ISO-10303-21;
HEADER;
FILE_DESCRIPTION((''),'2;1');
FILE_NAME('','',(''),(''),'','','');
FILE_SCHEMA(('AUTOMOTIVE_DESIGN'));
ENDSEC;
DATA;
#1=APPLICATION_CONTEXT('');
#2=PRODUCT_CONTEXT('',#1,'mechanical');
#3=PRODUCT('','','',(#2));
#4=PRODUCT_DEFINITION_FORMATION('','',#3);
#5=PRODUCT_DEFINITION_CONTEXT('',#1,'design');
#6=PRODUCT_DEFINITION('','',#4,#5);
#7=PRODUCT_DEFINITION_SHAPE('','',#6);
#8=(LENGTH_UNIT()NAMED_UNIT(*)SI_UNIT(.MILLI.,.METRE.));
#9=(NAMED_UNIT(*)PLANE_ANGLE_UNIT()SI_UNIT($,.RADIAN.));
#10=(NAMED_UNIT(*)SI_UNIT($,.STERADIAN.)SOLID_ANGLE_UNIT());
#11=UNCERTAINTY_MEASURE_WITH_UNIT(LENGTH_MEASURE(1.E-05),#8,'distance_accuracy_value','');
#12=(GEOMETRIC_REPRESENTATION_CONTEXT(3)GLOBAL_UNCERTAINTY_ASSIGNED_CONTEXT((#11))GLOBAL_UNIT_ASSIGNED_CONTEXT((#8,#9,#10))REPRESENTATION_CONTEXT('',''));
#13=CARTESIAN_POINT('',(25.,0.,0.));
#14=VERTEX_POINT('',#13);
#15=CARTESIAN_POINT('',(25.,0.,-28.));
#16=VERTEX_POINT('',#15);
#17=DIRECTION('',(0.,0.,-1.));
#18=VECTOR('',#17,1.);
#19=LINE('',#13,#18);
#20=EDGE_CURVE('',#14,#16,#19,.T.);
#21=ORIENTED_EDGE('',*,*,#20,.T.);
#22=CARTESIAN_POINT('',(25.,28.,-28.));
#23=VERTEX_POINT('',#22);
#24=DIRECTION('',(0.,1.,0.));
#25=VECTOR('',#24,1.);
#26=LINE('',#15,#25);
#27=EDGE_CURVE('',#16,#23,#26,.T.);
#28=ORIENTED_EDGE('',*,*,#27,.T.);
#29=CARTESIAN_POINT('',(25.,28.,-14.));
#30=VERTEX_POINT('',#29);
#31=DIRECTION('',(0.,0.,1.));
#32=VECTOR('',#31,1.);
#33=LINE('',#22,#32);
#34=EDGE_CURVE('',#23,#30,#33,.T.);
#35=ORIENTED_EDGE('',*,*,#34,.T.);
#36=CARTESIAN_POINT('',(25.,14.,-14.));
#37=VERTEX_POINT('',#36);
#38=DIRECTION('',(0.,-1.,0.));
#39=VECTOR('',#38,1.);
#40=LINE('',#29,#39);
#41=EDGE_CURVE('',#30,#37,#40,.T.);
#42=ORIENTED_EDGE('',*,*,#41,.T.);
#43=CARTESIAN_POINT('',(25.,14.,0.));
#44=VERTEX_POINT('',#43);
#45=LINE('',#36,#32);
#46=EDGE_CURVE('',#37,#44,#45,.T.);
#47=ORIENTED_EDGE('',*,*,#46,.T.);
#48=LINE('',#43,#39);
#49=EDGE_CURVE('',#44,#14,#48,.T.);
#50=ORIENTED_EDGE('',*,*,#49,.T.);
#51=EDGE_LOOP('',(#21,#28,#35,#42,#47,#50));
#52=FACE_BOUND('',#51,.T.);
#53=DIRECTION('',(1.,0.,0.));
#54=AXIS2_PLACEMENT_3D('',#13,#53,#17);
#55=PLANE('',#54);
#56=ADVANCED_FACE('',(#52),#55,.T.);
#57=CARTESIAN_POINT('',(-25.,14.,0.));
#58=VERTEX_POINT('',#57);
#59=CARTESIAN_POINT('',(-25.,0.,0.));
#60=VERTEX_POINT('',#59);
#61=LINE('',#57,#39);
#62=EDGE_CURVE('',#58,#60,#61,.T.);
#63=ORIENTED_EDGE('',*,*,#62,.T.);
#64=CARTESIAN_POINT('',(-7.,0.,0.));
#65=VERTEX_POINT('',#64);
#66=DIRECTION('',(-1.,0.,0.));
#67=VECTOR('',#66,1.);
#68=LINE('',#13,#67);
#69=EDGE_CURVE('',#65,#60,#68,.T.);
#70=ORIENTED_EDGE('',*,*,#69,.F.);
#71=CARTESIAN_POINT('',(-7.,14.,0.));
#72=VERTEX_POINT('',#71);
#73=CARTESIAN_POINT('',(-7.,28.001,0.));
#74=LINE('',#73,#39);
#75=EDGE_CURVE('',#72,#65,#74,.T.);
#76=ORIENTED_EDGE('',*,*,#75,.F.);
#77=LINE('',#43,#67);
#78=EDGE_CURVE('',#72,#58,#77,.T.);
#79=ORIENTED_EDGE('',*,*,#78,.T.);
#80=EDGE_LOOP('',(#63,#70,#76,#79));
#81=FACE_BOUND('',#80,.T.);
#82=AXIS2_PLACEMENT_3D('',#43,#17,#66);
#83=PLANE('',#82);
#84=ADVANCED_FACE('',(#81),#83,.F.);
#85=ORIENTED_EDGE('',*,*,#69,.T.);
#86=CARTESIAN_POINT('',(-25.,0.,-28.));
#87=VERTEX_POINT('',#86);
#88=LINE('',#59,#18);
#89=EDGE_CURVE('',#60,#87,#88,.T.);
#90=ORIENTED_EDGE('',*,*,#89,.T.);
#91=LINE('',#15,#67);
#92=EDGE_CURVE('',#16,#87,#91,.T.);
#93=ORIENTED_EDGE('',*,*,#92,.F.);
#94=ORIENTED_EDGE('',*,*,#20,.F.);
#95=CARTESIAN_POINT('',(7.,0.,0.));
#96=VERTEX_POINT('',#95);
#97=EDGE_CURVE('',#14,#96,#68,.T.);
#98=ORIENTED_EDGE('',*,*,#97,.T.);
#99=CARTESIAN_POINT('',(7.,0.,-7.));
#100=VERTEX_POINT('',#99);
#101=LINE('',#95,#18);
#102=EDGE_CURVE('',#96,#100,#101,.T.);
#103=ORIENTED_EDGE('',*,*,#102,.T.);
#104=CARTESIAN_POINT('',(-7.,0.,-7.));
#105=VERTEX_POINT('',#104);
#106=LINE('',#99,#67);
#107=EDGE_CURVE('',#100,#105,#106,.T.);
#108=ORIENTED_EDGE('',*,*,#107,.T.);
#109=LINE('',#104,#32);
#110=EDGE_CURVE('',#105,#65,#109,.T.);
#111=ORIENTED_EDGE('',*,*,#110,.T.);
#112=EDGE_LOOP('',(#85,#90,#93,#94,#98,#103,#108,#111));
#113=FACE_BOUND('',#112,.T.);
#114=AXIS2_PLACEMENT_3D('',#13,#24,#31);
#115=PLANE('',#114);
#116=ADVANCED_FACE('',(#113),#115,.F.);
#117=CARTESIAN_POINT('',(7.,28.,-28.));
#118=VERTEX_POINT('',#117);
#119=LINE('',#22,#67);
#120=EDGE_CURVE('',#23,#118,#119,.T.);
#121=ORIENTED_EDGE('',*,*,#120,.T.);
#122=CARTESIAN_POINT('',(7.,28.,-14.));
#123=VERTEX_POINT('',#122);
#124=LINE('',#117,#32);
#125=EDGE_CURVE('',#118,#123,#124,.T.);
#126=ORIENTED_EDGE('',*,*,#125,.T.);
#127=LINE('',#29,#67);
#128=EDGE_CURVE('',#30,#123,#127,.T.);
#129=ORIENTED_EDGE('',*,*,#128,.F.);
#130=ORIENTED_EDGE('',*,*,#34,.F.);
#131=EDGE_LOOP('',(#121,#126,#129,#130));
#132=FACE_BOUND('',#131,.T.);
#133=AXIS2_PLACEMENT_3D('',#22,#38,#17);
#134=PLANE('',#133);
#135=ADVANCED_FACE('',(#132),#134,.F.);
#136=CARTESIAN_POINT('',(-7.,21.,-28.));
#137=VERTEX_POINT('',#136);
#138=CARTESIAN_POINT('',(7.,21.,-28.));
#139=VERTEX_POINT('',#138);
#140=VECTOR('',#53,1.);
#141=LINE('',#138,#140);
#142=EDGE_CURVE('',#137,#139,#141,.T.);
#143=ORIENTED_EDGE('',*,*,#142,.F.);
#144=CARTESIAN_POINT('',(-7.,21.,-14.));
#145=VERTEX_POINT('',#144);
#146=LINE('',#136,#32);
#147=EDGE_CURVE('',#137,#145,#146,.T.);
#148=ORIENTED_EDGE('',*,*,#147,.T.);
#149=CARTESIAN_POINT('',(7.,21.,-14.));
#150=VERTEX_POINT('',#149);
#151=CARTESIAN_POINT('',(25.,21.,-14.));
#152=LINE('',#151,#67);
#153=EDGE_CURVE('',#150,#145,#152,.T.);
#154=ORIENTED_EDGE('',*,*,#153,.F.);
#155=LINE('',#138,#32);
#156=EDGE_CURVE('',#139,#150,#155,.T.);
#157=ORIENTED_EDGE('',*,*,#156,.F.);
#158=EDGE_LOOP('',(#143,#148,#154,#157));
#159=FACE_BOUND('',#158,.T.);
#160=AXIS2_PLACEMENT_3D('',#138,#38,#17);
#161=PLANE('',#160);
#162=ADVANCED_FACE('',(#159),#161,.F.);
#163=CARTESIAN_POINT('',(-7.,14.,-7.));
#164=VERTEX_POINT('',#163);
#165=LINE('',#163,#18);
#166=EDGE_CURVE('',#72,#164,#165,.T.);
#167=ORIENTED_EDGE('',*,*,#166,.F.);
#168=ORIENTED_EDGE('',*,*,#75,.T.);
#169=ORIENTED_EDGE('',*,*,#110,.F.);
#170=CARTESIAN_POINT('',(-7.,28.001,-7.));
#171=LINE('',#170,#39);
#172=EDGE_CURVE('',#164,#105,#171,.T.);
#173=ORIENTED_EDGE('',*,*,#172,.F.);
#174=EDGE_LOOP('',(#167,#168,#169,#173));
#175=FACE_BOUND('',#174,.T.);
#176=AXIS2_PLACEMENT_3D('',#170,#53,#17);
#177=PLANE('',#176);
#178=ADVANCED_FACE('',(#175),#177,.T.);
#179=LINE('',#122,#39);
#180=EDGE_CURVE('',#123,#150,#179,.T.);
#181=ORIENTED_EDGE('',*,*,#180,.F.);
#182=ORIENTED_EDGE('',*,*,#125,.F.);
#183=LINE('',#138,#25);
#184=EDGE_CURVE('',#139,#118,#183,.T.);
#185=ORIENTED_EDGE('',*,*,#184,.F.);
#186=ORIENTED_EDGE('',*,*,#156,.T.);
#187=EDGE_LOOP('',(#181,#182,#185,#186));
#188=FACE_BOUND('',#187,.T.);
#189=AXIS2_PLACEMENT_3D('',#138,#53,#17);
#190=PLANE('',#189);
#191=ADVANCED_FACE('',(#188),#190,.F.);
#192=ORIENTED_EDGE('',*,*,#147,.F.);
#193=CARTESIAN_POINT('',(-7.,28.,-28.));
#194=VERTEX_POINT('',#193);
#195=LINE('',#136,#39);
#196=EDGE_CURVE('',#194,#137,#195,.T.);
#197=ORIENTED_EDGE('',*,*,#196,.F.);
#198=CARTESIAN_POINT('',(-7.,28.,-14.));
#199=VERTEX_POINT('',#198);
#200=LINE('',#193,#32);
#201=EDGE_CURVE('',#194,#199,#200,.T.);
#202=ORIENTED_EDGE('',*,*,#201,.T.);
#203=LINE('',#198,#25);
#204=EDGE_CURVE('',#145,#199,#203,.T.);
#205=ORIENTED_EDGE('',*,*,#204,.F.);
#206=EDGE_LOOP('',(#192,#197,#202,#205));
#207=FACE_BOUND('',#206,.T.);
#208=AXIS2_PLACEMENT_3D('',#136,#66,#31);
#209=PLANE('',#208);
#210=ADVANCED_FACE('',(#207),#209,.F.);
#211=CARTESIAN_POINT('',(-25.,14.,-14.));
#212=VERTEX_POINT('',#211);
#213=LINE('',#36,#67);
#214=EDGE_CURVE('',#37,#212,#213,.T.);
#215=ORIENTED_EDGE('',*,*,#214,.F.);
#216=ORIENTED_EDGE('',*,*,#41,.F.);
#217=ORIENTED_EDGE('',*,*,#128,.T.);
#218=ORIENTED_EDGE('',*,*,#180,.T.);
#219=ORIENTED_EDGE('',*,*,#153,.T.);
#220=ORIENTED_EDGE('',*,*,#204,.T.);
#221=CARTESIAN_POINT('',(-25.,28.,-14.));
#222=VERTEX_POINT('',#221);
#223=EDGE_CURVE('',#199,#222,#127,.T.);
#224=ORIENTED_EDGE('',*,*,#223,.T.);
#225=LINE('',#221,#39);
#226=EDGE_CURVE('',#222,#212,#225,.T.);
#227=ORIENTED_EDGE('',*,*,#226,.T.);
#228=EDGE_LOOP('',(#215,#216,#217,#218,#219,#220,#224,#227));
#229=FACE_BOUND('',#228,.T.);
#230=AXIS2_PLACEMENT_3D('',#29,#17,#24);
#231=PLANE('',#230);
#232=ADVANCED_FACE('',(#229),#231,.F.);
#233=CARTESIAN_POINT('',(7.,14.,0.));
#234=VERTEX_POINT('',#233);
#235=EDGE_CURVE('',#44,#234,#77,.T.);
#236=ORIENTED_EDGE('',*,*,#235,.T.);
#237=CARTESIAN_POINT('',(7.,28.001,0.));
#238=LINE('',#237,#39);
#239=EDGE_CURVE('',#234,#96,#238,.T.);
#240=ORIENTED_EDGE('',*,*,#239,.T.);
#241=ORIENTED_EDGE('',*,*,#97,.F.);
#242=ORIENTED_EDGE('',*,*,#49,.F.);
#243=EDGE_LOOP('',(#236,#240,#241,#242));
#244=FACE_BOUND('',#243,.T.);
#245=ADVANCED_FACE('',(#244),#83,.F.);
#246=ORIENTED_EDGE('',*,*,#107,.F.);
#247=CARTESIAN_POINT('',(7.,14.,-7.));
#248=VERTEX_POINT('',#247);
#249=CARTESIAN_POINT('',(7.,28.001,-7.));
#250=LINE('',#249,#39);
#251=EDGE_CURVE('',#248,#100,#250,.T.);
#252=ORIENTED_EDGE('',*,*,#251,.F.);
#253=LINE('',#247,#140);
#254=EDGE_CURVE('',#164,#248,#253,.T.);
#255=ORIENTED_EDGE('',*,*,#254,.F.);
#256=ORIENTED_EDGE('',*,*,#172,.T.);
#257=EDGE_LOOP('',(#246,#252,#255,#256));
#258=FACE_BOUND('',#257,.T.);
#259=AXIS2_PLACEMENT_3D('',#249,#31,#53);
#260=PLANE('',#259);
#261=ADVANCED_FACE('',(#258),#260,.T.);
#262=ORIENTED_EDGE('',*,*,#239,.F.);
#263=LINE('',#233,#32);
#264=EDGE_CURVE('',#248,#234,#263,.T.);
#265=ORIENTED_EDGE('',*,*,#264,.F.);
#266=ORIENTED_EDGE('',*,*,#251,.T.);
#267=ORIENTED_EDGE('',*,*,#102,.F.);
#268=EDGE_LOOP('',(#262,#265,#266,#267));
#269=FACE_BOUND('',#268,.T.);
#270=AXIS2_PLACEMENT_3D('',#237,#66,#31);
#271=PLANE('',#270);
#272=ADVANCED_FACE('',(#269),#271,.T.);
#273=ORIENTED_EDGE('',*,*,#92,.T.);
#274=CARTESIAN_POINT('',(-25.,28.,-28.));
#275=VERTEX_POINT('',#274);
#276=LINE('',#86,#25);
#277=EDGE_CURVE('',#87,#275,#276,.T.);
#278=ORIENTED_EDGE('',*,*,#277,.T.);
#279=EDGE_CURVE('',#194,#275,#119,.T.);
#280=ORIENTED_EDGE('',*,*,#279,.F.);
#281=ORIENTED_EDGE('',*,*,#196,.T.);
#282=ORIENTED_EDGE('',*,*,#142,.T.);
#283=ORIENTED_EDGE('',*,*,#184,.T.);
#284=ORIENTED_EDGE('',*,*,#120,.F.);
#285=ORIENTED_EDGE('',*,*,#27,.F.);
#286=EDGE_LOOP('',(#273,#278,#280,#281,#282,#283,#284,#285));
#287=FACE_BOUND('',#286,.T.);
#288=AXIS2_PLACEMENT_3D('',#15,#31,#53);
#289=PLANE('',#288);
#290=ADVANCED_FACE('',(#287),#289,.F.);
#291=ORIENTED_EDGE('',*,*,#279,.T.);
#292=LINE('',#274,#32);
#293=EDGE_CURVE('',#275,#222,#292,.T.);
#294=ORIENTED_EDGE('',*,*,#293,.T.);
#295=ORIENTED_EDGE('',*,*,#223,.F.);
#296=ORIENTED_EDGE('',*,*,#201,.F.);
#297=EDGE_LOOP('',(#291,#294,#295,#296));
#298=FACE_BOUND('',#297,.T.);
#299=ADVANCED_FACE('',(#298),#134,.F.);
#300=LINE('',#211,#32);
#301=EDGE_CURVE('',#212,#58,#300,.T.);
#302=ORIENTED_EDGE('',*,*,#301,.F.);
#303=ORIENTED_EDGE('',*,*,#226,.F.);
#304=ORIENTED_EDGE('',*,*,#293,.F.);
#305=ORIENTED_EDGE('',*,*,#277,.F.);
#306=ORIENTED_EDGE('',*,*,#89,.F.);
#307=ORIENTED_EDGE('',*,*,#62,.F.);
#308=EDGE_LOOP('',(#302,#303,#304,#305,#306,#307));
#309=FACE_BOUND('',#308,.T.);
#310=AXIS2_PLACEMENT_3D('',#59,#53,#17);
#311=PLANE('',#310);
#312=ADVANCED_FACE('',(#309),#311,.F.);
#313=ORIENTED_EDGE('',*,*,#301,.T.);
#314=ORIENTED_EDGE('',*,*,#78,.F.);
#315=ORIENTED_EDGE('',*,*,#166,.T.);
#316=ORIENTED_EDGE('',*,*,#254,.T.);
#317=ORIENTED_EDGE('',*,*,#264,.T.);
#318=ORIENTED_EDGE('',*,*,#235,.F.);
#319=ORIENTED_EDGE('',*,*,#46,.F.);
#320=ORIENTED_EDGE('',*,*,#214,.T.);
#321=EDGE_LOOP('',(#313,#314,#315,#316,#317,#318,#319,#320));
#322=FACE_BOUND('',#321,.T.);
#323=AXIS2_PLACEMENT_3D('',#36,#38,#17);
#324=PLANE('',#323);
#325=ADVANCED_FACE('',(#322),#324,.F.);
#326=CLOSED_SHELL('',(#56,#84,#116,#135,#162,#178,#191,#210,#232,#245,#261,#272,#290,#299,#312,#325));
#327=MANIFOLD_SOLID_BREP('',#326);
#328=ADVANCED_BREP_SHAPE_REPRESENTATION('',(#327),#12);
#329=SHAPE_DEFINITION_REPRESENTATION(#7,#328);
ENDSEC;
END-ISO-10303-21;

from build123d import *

# Parameters (mm, degrees)
EXTRUDE_1_DEPTH     = 25
CUT_EXTRUDE_1_REACH = 30
SKETCH_2_W          = 14
SKETCH_2_H          = 7
SKETCH_3_W          = 14
SKETCH_3_H          = 7
CUT_EXTRUDE_2_DEPTH = 29


with BuildPart() as part:
    # 스케치1 → 보스-돌출1 (new body, symmetric)
    with BuildSketch(Plane(origin=(0, 0, 0), x_dir=(0, 0, -1), z_dir=(1, 0, 0))):
        Polygon((0, 0), (28, 0), (28, 28), (14, 28), (14, 14), (0, 14), align=None)
    extrude(amount=EXTRUDE_1_DEPTH, both=True)

    # 스케치2 → 컷-돌출1 (cut, up to next)
    with BuildSketch(Plane(origin=(0, 0, 0), x_dir=(1, 0, 0), z_dir=(0, 1, 0)), mode=Mode.PRIVATE) as cut_extrude_1_sk1:
        with Locations((0, 3.5)):
            Rectangle(SKETCH_2_W, SKETCH_2_H)
    cut_extrude_1_tool1 = extrude(cut_extrude_1_sk1.sketch, amount=CUT_EXTRUDE_1_REACH, mode=Mode.PRIVATE) & part.part
    add(cut_extrude_1_tool1.solids().sort_by_distance((0, 0, -3.5))[0], mode=Mode.SUBTRACT)

    # 스케치3 → 컷-돌출2 (cut, through all)
    with BuildSketch(Plane.XY):
        with Locations((0, 24.5)):
            Rectangle(SKETCH_3_W, SKETCH_3_H)
    extrude(amount=-CUT_EXTRUDE_2_DEPTH, mode=Mode.SUBTRACT)


solid = part.part
